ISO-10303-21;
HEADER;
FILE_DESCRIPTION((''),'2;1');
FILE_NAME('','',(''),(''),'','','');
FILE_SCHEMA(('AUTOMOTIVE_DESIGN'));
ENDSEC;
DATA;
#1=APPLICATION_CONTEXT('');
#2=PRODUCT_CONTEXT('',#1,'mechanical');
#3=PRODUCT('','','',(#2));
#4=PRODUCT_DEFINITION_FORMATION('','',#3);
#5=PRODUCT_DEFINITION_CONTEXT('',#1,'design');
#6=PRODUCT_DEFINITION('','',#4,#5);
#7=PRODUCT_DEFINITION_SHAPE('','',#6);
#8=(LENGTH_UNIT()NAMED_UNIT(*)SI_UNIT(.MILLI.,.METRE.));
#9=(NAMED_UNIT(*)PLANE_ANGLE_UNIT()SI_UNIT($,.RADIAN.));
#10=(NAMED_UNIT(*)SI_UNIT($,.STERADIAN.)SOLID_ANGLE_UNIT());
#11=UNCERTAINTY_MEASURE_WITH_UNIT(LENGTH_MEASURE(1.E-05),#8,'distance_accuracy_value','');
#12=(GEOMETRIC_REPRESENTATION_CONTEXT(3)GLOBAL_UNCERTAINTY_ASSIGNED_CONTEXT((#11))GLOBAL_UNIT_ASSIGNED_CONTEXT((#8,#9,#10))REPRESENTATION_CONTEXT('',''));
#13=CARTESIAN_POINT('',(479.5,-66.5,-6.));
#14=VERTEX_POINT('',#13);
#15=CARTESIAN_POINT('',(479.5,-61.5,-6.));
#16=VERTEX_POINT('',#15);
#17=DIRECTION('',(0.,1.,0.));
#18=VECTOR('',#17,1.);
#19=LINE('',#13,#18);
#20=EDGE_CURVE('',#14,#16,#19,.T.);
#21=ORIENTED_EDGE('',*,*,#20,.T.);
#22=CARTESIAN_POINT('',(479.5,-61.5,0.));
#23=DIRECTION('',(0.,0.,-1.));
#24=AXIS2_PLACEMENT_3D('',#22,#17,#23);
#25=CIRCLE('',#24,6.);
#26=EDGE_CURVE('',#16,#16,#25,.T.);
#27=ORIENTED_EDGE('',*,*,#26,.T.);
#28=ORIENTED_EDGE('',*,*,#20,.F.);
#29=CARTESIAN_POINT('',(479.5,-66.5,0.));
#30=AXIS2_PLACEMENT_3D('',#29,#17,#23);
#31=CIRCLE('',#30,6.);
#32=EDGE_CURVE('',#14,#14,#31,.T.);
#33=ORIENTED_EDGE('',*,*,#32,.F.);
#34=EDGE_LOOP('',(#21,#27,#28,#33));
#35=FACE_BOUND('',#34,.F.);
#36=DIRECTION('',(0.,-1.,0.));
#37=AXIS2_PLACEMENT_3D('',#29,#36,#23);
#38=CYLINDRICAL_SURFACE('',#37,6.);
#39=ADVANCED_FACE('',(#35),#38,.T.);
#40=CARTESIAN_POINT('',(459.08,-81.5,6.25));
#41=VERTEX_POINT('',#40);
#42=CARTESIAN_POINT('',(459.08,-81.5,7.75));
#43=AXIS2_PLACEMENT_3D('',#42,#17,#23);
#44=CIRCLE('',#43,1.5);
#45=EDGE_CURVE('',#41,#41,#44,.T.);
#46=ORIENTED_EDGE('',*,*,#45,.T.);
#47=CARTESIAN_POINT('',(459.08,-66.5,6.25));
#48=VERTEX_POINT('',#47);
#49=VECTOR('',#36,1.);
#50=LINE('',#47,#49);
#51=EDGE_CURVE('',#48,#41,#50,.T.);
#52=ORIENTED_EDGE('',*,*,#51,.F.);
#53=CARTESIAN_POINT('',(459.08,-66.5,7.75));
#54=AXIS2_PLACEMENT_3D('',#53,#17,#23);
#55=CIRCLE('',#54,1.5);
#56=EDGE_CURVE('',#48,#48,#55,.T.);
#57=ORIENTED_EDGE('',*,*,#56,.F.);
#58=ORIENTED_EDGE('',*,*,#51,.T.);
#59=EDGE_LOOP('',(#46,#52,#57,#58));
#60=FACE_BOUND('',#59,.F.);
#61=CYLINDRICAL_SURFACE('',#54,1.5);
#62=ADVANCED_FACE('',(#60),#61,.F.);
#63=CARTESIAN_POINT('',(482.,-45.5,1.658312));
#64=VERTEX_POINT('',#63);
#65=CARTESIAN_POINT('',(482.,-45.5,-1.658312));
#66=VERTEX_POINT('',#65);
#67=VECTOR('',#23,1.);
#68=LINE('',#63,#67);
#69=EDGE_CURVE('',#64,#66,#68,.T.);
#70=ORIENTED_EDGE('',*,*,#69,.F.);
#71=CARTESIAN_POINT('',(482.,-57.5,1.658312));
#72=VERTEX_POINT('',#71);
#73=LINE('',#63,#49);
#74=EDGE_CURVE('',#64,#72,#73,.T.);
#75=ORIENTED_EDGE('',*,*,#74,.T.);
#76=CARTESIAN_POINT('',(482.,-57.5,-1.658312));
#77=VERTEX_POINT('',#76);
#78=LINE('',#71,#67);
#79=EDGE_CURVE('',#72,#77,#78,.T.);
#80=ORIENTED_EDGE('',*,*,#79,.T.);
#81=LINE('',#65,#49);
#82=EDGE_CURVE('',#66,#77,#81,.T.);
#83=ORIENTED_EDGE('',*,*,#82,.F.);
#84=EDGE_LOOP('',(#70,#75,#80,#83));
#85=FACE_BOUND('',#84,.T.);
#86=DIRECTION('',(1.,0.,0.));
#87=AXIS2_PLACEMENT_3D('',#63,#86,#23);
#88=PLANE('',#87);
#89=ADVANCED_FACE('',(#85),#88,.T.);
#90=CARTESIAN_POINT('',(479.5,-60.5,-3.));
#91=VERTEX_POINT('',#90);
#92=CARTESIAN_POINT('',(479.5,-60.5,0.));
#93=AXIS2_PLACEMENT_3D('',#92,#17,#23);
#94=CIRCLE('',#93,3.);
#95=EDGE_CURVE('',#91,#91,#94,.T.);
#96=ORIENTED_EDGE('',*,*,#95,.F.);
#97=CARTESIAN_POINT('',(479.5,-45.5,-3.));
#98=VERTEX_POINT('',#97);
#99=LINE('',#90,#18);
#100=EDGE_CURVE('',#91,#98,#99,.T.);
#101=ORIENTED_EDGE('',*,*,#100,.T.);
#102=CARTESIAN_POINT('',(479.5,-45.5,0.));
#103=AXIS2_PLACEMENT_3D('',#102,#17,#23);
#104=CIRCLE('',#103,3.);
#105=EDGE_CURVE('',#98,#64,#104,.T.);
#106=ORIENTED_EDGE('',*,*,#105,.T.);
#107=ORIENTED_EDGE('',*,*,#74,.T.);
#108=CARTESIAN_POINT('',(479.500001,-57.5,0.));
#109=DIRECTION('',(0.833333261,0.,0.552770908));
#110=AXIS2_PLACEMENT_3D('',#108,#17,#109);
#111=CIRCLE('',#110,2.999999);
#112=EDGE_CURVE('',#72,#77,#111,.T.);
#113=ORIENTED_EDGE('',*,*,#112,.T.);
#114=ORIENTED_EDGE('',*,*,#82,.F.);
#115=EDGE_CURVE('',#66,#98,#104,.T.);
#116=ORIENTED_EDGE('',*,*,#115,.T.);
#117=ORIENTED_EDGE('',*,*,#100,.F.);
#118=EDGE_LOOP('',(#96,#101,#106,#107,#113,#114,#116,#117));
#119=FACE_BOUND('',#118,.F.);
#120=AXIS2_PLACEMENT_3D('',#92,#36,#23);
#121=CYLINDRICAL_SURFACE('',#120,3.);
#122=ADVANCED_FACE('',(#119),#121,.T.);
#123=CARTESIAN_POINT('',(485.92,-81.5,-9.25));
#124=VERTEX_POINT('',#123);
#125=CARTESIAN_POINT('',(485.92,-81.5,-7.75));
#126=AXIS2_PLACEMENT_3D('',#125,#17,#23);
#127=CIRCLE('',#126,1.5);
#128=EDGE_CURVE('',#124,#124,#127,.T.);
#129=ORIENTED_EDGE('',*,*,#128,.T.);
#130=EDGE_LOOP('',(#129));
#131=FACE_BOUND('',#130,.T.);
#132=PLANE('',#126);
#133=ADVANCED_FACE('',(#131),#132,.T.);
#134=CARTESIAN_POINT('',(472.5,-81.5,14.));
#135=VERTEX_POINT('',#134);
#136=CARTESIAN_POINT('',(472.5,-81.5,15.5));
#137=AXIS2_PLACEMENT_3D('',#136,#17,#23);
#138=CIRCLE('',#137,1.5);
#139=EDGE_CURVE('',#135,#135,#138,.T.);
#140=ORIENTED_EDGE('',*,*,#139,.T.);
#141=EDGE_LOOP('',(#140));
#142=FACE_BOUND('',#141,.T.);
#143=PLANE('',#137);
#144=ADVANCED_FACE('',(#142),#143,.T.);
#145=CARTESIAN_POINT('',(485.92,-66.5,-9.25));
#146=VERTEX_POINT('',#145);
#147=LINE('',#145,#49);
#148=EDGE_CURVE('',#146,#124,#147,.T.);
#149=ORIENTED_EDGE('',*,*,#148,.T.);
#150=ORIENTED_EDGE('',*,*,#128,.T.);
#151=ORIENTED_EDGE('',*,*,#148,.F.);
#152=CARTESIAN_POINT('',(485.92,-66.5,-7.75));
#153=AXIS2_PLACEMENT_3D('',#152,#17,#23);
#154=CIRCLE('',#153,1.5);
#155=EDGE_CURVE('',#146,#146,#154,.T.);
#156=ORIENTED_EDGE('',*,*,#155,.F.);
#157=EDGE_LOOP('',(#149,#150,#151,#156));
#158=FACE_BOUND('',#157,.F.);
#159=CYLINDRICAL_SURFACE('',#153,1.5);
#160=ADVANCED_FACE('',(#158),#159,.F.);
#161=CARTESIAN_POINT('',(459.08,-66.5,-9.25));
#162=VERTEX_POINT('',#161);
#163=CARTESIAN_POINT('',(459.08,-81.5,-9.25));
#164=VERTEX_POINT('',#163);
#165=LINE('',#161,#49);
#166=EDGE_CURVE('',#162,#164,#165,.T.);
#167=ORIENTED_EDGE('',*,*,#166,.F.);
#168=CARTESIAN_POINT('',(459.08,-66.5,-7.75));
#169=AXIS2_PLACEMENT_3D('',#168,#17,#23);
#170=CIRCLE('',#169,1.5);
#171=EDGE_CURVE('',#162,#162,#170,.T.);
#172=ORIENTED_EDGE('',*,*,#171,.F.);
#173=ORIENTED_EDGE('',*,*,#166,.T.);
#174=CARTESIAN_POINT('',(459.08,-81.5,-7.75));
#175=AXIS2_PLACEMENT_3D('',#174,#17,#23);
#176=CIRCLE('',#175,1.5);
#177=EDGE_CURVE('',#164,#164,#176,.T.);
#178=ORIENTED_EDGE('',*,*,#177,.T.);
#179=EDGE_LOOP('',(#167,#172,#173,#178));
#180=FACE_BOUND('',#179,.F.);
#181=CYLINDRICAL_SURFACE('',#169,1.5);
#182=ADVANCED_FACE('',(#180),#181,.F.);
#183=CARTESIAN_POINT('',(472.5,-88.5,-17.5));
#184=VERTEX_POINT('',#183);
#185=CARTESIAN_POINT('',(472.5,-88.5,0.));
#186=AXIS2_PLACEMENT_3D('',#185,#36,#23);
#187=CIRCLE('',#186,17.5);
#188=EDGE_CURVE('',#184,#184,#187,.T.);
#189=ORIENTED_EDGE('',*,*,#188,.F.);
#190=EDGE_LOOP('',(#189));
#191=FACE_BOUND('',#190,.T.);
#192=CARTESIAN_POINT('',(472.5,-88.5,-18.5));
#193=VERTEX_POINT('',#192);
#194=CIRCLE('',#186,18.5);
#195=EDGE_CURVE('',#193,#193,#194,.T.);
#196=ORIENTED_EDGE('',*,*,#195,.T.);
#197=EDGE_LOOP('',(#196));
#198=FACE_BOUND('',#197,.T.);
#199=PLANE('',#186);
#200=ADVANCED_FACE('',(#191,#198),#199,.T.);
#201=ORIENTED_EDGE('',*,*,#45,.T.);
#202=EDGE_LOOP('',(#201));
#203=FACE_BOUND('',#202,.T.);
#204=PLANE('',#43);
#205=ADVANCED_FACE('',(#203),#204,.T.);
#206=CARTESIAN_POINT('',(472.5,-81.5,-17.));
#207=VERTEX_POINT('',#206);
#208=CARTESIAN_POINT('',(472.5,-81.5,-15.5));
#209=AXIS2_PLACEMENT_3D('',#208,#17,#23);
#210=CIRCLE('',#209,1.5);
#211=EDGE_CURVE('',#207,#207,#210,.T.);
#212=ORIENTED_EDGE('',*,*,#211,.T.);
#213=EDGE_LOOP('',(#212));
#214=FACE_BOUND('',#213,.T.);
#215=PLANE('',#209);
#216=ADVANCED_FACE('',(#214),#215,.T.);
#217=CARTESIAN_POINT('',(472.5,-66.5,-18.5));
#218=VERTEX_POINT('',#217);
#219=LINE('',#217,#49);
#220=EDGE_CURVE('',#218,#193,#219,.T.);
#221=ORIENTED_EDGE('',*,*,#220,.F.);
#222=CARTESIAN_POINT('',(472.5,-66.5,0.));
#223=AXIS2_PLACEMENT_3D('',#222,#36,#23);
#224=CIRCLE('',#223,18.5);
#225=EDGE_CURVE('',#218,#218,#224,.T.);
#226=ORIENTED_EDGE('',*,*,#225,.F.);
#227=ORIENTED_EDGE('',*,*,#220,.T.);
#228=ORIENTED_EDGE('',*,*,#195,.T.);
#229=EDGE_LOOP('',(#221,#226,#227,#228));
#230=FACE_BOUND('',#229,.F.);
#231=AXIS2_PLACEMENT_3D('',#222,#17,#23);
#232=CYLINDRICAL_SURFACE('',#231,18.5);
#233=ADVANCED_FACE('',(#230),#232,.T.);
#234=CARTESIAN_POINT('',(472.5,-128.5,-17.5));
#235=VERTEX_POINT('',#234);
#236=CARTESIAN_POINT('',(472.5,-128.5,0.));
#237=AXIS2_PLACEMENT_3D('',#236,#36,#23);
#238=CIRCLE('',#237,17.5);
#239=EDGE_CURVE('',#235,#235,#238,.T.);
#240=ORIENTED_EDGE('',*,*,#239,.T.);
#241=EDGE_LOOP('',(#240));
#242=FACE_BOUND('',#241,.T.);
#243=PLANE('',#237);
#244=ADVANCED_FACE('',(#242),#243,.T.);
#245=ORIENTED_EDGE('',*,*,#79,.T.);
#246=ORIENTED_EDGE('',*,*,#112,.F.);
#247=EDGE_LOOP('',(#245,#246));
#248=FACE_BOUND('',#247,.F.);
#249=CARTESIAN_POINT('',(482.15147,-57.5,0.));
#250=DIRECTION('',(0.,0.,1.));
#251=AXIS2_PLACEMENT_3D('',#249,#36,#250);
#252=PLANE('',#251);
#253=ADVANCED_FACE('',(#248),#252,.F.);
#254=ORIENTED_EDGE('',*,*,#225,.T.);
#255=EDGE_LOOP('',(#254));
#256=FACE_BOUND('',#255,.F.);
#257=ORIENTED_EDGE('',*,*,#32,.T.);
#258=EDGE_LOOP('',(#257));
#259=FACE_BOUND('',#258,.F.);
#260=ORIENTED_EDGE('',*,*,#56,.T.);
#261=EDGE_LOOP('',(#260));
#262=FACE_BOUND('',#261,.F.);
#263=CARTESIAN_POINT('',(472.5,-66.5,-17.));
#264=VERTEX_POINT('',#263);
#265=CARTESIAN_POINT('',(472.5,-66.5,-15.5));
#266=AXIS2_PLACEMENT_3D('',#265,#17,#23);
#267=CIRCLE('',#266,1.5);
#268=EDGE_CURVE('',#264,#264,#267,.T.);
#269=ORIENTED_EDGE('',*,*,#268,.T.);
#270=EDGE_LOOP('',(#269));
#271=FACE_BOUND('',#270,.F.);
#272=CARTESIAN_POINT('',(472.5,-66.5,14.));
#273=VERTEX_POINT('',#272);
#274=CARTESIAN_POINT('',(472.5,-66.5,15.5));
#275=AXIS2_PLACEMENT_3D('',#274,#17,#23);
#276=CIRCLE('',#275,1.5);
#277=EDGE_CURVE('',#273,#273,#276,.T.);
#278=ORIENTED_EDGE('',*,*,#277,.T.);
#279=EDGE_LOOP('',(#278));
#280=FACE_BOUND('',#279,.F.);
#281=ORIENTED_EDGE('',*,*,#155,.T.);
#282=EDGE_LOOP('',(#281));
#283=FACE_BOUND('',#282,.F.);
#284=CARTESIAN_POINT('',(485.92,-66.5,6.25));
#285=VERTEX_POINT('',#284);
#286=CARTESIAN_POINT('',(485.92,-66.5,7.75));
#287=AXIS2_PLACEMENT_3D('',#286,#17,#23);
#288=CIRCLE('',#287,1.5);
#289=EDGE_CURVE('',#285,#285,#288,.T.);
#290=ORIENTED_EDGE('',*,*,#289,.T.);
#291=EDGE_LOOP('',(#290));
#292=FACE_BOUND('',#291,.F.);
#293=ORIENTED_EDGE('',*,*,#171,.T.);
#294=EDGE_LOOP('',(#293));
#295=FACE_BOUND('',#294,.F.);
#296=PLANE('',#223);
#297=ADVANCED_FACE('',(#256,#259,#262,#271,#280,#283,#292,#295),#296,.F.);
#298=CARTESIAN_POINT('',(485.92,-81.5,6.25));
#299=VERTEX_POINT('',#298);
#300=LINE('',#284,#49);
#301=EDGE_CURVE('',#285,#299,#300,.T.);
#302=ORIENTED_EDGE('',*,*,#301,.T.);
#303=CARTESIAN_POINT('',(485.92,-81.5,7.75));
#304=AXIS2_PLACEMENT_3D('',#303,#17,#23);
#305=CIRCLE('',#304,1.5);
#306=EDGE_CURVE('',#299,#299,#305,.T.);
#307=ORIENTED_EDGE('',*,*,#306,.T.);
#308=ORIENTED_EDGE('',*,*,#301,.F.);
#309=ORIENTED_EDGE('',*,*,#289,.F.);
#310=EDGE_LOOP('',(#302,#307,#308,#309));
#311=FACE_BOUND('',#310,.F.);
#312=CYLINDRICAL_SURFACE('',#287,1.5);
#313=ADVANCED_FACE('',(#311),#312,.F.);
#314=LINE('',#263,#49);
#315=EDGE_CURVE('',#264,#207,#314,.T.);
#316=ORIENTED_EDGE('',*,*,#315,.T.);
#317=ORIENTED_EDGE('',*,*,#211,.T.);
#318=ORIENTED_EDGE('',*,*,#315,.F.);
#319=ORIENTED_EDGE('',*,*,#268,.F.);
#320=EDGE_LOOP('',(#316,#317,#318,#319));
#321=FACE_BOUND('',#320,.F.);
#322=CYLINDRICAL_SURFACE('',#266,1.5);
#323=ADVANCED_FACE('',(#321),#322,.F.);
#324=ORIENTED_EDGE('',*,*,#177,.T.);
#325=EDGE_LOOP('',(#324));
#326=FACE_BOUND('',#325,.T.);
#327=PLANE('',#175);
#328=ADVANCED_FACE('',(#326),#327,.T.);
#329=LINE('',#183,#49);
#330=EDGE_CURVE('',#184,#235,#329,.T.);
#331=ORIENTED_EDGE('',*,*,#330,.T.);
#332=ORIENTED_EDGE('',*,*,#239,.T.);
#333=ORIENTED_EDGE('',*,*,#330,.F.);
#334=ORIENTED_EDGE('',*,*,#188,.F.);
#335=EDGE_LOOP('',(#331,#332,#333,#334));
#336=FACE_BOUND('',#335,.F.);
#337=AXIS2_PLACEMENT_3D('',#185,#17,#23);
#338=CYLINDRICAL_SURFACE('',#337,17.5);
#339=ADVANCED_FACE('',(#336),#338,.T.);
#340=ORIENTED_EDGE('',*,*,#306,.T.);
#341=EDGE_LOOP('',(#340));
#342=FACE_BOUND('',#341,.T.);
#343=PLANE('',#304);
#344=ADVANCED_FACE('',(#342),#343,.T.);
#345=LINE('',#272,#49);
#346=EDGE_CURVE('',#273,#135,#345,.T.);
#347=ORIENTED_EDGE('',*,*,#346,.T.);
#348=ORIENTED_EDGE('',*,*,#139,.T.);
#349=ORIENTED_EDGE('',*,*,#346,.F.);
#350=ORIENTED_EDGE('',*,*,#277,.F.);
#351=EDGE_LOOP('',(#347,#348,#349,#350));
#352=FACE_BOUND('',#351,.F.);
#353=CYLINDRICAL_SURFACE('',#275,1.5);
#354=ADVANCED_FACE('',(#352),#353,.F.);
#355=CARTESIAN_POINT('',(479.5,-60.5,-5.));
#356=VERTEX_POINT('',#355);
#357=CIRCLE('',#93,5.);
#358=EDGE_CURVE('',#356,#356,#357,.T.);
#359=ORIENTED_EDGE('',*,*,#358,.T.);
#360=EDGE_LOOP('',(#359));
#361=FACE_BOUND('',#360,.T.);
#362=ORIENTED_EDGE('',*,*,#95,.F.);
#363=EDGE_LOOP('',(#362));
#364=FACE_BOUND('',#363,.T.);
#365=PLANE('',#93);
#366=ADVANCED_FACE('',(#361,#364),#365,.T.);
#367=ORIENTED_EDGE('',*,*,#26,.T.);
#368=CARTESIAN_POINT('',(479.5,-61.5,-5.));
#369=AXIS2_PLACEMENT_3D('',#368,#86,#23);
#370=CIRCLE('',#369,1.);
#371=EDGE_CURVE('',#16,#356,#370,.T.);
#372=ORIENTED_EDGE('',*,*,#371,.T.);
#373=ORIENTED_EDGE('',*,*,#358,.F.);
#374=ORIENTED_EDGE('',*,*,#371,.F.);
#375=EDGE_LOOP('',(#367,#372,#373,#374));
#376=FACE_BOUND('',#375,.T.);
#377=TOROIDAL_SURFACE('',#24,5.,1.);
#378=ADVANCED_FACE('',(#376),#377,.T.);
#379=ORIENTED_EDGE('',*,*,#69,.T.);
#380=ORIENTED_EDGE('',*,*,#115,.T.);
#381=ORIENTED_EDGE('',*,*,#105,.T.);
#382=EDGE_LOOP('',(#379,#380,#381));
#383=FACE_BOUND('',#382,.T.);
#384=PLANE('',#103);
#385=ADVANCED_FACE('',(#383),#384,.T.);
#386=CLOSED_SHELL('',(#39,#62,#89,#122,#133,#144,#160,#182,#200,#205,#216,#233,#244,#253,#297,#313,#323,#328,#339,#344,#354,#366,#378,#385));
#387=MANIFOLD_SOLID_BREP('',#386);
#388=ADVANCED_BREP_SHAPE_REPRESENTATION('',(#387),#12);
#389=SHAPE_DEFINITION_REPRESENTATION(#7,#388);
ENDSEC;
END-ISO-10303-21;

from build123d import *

# Parameters (mm, degrees)
SKETCH022_R             = 18.5
PAD015_DEPTH            = 22
SKETCH023_R             = 17.5
PAD016_DEPTH            = 40
SKETCH024_R             = 6
PAD017_DEPTH            = 6
FILLET001_R             = 1
SKETCH025_R             = 3
PAD018_DEPTH            = 15
POCKET005_DEPTH         = 12
SKETCH027_R             = 1.5
POCKET006_DEPTH         = 15
BODY002_PLACEMENT_ANGLE = 90


with BuildPart() as part:
    # Sketch022 → Pad015 (new body)
    with BuildSketch(Plane.XZ):
        with Locations((0, 18.5)):
            Circle(SKETCH022_R)
    extrude(amount=PAD015_DEPTH)

    # Sketch023 (on Face3 of Pad015) → Pad016 (join)
    with BuildSketch(Plane.XZ.offset(22)):
        with Locations((0, 18.5)):
            Circle(SKETCH023_R)
    extrude(amount=PAD016_DEPTH)

    # Sketch024 (on Face2 of Pad016) → Pad017 (join)
    with BuildSketch(Plane(origin=(0, 0, 0), x_dir=(1, 0, 0), z_dir=(0, 1, 0))):
        with Locations((0, -25.5)):
            Circle(SKETCH024_R)
    extrude(amount=PAD017_DEPTH)

    # Fillet001
    fillet001_edges = [part.edges().sort_by_distance(p)[0] for p in [
        (-6, 6, 25.5),
    ]]
    fillet(fillet001_edges, radius=FILLET001_R)

    # Sketch025 (on Face4 of Fillet001) → Pad018 (join)
    with BuildSketch(Plane(origin=(0, 6, 0), x_dir=(1, 0, 0), z_dir=(0, 1, 0))):
        with Locations((0, -25.5)):
            Circle(SKETCH025_R)
    extrude(amount=PAD018_DEPTH)

    # Sketch026 (on Face8 of Pad018) → Pocket005 (cut)
    with BuildSketch(Plane(origin=(0, 21, 0), x_dir=(1, 0, 0), z_dir=(0, 1, 0))):
        with BuildLine():
            Line((-1.658312, -28), (1.658312, -28))
            ThreePointArc((-1.658312, -28), (0, -28.5), (1.658312, -28))
        make_face()
    extrude(amount=-POCKET005_DEPTH, mode=Mode.SUBTRACT)

    # Sketch027 (on Face3 of Pocket005) → Pocket006 (cut)
    with BuildSketch(Plane(origin=(0, 0, 0), x_dir=(1, 0, 0), z_dir=(0, 1, 0))):
        with Locations((-7.75, -5.08)):
            Circle(SKETCH027_R)
        with Locations((7.75, -5.08)):
            Circle(SKETCH027_R)
        with Locations((-15.5, -18.5)):
            Circle(SKETCH027_R)
        with Locations((15.5, -18.5)):
            Circle(SKETCH027_R)
        with Locations((7.75, -31.92)):
            Circle(SKETCH027_R)
        with Locations((-7.75, -31.92)):
            Circle(SKETCH027_R)
    extrude(amount=-POCKET006_DEPTH, mode=Mode.SUBTRACT)


with BuildPart() as part_1:
    # Body002 placement: moved
    add(part.part.moved(Location((454, -66.5, 0))).rotate(Axis((454, -66.5, 0), (0, 1, 0)), BODY002_PLACEMENT_ANGLE))


solid = part_1.part
